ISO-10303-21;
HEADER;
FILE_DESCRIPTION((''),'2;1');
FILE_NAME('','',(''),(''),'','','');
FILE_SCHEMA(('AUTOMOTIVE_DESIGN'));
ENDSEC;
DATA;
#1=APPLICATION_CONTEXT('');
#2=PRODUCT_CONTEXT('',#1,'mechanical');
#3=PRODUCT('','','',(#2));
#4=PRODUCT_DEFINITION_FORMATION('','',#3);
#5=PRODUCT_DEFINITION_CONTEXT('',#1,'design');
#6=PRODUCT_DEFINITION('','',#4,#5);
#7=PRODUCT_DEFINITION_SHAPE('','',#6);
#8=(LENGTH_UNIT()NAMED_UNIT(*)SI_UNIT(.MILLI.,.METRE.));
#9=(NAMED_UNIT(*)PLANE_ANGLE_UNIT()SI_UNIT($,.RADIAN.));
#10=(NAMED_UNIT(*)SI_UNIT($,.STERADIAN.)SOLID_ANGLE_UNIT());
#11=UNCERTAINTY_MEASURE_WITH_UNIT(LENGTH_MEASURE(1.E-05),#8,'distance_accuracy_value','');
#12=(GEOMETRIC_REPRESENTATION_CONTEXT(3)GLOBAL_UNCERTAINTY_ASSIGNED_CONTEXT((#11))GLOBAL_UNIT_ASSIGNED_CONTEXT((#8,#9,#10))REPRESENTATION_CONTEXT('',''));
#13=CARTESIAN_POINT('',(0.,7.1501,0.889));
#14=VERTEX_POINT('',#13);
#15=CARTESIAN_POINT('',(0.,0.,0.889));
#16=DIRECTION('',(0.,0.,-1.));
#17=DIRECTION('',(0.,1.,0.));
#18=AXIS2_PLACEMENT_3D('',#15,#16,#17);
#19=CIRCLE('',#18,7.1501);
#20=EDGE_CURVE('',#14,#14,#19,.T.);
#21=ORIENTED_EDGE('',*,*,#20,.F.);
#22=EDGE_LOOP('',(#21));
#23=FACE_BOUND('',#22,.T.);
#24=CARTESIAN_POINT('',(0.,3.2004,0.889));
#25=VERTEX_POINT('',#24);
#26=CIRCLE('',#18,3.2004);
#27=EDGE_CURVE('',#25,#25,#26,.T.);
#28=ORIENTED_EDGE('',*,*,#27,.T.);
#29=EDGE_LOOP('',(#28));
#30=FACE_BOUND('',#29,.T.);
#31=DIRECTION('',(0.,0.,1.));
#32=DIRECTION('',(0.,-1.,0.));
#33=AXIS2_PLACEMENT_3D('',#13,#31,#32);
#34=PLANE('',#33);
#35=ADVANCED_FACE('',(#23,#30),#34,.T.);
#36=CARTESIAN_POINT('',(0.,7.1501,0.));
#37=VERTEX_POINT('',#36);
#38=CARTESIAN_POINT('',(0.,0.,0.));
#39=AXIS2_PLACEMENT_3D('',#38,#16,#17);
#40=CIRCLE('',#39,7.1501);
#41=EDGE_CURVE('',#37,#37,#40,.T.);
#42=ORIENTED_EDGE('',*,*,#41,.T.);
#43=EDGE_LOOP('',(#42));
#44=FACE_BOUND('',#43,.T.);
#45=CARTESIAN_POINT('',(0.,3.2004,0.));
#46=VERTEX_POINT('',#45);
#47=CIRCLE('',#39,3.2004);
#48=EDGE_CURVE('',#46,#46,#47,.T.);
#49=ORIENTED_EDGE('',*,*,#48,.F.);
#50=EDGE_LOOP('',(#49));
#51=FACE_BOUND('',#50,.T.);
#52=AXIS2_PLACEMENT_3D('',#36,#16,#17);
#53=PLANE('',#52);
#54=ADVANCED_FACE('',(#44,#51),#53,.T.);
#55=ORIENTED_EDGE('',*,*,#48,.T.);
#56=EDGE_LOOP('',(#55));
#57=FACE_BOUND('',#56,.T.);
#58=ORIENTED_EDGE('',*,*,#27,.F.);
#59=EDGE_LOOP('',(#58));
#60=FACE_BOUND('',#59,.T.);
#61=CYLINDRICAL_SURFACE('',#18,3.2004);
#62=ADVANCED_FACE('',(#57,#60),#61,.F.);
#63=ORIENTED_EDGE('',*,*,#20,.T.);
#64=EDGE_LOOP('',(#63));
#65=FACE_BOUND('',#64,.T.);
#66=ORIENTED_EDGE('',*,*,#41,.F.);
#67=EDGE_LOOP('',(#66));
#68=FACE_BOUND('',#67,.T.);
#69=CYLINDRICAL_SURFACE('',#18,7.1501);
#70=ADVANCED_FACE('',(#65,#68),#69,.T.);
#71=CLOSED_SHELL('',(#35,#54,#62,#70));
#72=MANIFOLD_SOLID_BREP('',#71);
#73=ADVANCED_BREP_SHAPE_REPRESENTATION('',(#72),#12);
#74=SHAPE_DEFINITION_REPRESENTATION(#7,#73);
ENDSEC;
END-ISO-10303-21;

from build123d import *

# Parameters (mm, degrees)
SKETCH2_W = 0.889
SKETCH2_H = 3.9497


with BuildPart() as part:
    # Sketch2 → Revolve1 (revolve)
    with BuildSketch(Plane(origin=(0, 0, 0), x_dir=(0, 0, -1), z_dir=(1, 0, 0))):
        with Locations((-0.4445, 5.17525)):
            Rectangle(SKETCH2_W, SKETCH2_H)
    revolve(axis=Axis((0, 0, 0.889), (0, 0, 1)))


solid = part.part
